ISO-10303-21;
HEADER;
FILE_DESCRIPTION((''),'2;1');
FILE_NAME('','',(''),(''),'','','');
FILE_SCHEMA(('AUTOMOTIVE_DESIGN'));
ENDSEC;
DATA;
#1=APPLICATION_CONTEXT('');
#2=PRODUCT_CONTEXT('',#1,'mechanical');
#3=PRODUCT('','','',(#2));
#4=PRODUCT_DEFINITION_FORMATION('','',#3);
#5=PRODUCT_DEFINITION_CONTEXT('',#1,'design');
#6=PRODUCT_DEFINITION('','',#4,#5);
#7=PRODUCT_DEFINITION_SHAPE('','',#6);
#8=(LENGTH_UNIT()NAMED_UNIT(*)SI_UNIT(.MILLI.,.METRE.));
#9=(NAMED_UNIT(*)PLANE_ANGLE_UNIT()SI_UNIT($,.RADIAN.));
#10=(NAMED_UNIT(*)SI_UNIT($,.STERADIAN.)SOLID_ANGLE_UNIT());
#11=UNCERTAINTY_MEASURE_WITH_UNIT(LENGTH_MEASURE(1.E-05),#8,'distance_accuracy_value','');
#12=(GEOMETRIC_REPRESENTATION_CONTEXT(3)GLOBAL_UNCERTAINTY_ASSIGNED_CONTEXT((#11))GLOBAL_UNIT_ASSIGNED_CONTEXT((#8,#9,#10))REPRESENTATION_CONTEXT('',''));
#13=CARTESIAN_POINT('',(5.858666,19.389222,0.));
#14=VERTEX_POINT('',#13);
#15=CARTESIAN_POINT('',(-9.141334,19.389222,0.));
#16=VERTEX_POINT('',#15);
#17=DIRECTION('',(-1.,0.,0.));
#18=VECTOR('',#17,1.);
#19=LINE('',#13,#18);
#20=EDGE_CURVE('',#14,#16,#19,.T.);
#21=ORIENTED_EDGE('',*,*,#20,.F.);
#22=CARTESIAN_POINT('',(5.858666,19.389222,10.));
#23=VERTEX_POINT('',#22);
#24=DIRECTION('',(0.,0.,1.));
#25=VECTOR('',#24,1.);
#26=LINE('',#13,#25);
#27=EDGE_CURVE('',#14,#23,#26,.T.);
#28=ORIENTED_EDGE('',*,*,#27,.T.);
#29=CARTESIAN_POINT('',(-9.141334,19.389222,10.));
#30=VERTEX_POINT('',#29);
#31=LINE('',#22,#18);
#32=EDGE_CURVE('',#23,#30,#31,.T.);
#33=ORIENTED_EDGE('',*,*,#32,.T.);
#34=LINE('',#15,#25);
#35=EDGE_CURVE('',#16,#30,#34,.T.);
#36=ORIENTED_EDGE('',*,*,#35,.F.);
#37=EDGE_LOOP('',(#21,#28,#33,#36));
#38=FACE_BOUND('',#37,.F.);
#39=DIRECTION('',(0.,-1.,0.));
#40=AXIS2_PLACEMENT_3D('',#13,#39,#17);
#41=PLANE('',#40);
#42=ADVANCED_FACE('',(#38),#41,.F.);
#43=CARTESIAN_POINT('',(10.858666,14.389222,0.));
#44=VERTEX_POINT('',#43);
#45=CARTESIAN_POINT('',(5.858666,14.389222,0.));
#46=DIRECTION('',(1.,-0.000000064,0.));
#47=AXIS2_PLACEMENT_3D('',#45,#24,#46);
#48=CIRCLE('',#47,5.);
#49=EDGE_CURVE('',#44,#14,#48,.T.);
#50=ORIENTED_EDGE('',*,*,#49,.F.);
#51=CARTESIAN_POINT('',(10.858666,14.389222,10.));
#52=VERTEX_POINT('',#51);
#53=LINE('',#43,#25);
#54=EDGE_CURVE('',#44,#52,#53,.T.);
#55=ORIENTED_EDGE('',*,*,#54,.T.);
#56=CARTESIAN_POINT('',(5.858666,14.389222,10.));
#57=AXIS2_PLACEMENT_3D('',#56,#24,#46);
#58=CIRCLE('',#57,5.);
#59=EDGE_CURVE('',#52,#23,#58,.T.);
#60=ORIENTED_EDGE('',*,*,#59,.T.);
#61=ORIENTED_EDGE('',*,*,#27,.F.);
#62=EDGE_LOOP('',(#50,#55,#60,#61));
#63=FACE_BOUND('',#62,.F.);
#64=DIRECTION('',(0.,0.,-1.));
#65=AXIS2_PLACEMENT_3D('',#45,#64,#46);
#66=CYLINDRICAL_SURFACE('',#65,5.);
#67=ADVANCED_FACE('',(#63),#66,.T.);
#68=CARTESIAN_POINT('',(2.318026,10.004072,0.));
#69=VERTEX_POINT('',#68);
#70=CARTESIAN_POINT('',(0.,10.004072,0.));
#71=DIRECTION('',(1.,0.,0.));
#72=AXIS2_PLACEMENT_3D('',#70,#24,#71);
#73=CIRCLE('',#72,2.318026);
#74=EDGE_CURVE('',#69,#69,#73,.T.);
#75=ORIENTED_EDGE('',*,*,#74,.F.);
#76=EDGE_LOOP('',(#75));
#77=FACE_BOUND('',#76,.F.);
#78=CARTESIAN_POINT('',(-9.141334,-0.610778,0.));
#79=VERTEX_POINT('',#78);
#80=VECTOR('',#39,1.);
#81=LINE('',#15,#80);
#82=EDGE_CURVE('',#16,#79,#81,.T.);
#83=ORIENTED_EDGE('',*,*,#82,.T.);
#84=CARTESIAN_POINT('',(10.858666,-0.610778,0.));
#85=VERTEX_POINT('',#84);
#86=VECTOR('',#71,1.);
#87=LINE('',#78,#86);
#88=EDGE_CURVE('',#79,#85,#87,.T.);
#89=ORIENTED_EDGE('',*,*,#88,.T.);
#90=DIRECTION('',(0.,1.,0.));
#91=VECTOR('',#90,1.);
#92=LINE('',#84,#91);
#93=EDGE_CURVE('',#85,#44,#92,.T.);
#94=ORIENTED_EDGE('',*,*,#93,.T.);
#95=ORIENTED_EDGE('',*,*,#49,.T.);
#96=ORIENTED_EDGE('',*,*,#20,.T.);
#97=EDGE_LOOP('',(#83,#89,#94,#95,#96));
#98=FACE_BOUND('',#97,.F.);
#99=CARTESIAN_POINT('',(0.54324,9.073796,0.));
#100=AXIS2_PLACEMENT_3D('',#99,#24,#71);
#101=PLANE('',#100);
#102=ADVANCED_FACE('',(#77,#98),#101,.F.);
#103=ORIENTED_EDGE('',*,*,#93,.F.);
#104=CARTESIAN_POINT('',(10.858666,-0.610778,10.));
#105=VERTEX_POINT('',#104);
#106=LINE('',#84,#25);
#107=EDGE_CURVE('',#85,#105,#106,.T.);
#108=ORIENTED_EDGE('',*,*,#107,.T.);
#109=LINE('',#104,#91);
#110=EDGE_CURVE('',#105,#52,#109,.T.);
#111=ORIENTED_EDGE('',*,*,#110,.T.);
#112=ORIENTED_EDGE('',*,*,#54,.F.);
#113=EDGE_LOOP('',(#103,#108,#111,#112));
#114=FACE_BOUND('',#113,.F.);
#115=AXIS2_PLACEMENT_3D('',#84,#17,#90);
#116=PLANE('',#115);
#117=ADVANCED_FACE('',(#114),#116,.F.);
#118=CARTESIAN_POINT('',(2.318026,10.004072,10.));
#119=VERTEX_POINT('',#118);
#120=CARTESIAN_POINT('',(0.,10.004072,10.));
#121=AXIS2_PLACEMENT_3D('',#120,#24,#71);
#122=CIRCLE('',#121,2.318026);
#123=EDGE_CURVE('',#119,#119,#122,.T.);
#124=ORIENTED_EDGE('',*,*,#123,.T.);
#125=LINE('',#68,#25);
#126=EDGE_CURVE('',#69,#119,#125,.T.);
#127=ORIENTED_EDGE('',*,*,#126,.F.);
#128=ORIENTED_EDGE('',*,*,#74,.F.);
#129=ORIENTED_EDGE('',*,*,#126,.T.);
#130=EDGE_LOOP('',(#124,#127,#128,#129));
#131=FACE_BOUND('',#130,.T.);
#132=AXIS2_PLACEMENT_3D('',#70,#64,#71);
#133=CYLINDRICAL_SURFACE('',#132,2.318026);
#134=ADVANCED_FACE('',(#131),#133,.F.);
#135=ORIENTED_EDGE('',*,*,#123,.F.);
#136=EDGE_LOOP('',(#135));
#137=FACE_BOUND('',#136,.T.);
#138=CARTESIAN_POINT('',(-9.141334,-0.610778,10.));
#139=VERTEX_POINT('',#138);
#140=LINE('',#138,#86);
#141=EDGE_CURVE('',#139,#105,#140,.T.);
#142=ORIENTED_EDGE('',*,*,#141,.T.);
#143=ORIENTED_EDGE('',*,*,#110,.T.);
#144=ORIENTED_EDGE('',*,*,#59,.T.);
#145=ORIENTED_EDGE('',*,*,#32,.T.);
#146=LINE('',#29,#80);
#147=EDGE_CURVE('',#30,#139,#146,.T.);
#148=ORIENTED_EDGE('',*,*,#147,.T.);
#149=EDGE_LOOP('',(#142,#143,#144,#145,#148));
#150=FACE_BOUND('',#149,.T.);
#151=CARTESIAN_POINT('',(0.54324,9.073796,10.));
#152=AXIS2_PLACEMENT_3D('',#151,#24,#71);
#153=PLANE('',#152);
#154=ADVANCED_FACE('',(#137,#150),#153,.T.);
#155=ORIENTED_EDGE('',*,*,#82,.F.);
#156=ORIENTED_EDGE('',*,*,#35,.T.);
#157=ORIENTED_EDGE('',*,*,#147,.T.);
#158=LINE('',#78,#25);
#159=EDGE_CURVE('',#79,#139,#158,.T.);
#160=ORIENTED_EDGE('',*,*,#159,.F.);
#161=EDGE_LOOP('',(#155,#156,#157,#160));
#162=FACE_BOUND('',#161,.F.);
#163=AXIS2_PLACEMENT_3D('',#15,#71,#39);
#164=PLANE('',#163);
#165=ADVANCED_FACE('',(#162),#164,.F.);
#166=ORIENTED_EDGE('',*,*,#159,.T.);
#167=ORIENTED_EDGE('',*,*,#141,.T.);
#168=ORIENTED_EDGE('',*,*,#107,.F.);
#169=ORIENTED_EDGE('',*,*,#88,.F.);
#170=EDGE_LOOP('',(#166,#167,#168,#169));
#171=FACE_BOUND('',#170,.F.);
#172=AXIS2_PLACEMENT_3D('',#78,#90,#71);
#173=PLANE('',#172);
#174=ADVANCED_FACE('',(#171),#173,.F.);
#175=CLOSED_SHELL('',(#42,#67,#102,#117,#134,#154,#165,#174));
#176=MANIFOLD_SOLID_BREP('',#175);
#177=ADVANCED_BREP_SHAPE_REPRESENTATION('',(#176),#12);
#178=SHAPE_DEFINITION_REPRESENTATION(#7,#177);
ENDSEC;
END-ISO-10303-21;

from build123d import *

# Parameters (mm, degrees)
F0_R     = 2.318026
F1_DEPTH = 10


with BuildPart() as f1:
    # F0 (on Top) → F1 (new body)
    with BuildSketch(Plane.XY):
        with BuildLine():
            Line((5.858666, 19.389222), (-9.141334, 19.389222))
            Line((-9.141334, 19.389222), (-9.141334, -0.610778))
            Line((-9.141334, -0.610778), (10.858666, -0.610778))
            Line((10.858666, -0.610778), (10.858666, 14.389222))
            ThreePointArc((10.858666, 14.389222), (9.3942, 17.924756), (5.858666, 19.389222))
        make_face()
        with Locations((0, 10.004072)):
            Circle(F0_R, mode=Mode.SUBTRACT)
    extrude(amount=F1_DEPTH)


solid = f1.part
